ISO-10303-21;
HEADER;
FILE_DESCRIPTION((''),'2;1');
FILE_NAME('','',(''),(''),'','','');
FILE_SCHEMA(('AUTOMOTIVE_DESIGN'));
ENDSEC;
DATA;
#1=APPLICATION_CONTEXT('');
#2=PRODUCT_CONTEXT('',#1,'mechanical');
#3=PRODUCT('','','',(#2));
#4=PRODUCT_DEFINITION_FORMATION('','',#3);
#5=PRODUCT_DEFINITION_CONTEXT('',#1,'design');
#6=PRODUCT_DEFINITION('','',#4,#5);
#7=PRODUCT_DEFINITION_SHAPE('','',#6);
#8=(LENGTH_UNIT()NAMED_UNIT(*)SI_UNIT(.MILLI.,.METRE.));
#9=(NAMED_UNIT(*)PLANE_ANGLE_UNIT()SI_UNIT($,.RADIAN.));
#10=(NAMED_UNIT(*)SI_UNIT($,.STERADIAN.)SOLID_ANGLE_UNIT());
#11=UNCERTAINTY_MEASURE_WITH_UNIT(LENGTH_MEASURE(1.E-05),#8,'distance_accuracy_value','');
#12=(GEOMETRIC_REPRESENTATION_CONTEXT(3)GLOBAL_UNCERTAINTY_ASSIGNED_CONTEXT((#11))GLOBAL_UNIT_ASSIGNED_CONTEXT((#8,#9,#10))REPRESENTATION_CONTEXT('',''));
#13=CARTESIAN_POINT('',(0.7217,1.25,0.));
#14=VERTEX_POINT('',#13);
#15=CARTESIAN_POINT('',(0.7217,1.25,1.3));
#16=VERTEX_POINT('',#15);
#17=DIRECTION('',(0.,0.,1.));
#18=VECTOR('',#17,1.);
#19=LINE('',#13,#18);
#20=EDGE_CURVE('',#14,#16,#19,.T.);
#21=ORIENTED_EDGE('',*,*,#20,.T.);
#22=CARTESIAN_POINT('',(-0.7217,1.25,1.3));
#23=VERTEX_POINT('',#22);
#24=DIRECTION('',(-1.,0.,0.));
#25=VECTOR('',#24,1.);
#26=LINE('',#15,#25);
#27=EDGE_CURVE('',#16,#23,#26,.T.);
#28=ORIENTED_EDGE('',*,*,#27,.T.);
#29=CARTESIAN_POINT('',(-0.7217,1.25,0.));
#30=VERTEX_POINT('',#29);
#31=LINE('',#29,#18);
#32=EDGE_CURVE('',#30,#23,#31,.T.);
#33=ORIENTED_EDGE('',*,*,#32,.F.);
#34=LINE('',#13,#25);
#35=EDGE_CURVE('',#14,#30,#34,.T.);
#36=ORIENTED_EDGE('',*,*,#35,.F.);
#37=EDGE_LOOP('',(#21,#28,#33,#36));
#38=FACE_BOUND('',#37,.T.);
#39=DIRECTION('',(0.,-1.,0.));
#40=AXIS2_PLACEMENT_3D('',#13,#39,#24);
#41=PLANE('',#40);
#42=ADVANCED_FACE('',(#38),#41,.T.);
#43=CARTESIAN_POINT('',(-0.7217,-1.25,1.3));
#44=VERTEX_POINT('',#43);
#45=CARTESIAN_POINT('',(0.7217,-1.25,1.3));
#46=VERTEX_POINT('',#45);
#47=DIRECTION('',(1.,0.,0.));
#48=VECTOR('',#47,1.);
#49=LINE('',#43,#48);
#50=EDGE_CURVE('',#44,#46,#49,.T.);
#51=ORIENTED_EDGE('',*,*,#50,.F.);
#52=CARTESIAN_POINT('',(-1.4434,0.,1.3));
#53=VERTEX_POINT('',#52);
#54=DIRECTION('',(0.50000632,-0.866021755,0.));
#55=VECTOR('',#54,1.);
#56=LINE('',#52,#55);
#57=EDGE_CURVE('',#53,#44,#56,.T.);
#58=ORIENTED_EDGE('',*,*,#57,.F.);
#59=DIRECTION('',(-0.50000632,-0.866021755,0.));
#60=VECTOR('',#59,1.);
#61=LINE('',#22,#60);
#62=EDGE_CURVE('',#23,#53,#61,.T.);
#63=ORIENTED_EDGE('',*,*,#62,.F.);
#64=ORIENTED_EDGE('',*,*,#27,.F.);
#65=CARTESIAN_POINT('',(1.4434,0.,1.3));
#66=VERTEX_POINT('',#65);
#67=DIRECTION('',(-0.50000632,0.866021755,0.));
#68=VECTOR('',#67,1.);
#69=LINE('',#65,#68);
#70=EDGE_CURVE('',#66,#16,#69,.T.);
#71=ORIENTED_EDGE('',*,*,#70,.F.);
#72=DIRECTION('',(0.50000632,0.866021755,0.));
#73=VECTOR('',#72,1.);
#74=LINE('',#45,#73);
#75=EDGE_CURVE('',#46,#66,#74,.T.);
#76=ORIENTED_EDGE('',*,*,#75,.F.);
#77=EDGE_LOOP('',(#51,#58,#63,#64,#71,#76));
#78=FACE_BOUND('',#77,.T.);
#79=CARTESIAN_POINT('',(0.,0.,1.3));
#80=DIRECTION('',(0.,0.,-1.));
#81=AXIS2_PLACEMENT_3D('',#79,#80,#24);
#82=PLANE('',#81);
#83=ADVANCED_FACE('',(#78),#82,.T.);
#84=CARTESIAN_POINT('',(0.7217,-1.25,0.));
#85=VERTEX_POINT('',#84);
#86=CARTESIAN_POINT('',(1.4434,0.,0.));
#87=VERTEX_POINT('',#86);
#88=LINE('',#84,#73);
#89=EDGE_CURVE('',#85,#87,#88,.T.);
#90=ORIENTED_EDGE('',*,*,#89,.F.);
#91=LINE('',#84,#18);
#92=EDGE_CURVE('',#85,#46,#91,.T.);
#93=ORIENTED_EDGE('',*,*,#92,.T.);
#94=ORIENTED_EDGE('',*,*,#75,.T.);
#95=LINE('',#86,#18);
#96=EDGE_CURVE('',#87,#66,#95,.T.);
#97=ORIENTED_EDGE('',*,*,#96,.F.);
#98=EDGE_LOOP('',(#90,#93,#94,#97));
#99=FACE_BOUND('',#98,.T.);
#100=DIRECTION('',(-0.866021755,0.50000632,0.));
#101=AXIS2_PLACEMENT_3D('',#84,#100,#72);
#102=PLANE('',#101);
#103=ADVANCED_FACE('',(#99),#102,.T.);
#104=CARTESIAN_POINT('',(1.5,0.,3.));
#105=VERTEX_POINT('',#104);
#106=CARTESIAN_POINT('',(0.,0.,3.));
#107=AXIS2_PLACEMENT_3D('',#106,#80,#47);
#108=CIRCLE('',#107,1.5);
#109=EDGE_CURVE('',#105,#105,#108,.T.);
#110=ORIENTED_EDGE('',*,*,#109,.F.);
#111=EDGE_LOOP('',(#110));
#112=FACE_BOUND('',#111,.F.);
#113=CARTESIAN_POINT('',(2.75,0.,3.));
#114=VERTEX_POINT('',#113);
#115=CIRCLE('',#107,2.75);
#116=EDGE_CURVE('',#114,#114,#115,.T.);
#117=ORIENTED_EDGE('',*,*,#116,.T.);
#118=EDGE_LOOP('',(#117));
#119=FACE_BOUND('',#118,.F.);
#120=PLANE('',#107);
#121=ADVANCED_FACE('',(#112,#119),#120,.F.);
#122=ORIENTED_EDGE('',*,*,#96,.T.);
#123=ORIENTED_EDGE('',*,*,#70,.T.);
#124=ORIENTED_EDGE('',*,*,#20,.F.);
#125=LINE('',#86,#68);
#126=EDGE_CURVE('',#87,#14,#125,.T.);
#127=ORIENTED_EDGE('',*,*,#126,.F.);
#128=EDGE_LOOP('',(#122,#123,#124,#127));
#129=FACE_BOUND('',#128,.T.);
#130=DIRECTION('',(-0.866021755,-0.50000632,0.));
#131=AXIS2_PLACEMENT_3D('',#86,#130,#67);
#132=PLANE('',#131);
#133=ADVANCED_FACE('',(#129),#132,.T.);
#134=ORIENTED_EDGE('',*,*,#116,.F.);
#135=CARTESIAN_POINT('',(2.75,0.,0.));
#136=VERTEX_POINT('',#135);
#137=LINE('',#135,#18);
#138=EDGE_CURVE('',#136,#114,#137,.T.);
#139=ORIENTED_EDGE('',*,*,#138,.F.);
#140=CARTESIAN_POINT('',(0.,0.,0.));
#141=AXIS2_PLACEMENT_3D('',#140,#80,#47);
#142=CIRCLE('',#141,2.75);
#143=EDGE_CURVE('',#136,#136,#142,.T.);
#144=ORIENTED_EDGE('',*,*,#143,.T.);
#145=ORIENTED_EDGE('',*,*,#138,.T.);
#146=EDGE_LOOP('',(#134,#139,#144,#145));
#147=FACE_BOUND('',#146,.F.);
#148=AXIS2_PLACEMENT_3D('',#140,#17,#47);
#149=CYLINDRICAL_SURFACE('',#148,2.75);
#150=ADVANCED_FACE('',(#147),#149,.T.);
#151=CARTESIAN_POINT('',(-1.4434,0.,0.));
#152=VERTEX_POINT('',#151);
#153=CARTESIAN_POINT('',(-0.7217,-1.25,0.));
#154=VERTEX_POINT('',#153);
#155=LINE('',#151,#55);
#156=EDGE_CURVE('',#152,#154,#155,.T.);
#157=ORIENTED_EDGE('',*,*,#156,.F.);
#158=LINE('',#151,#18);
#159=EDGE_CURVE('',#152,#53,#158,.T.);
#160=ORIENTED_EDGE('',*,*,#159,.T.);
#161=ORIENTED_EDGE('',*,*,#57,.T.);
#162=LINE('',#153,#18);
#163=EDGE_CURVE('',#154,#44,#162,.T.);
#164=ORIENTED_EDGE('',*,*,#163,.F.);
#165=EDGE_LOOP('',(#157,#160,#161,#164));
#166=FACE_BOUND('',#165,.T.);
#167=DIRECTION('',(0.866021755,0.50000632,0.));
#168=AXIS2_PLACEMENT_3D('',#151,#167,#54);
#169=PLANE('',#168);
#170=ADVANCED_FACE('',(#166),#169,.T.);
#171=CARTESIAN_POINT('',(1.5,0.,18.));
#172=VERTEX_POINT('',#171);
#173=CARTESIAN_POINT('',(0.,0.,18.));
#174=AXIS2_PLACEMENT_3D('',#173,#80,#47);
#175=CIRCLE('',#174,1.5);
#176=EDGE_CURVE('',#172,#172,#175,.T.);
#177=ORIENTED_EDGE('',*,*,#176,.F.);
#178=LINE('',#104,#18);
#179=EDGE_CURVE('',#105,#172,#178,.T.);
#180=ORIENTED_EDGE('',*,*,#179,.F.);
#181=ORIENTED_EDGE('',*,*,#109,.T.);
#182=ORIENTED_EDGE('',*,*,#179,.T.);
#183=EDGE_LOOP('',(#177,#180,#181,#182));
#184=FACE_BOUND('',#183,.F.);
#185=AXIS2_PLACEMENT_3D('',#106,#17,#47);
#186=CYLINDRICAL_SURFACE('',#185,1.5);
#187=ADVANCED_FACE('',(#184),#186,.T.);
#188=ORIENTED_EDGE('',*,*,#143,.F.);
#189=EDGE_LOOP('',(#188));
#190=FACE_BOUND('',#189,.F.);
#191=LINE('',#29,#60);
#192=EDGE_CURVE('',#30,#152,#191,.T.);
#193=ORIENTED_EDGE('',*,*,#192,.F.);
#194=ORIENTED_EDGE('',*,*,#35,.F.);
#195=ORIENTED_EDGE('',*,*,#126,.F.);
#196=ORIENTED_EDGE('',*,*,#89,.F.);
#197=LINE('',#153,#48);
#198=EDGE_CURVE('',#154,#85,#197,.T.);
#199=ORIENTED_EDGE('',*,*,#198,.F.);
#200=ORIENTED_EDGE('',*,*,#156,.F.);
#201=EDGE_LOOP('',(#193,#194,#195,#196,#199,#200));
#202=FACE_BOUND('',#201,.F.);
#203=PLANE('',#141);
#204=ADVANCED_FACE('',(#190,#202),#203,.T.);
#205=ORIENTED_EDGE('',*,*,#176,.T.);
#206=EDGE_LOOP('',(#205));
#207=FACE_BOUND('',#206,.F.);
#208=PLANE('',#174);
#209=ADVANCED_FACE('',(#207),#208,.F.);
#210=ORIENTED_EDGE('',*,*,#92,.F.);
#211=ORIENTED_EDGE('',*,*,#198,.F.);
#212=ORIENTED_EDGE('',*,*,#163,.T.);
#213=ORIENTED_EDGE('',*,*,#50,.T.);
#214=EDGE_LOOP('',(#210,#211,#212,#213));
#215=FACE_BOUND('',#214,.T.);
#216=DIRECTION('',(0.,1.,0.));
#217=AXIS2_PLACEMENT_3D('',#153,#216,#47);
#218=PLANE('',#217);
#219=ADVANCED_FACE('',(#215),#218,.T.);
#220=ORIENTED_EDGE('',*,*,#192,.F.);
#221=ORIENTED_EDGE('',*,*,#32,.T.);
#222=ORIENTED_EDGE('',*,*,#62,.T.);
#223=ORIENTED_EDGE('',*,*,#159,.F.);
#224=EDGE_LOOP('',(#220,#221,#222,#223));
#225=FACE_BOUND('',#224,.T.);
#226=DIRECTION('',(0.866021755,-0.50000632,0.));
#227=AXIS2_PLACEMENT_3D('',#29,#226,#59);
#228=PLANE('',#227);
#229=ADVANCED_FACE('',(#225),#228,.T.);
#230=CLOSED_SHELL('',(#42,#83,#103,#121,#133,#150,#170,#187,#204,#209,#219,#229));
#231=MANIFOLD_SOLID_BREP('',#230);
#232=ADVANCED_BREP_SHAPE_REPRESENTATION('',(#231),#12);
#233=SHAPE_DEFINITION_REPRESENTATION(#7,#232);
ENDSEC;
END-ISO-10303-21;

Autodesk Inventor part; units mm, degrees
ref_plane "YZ Plane" through (0, 0, 0) normal (1, 0, 0) x (0, 1, 0)
ref_plane "XZ Plane" through (0, 0, 0) normal (0, 1, 0) x (-1, 0, 0)
ref_plane "XY Plane" through (0, 0, 0) normal (0, 0, 1) x (1, 0, 0)
sketch "Sketch1" plane through (0, 0, 0) normal (0, 1, 0) x (-1, 0, 0)
  line L0 (0, 0) -> (-2.75, 0)
  line L1 (-2.75, 0) -> (-2.75, 3)
  line L2 (-2.75, 3) -> (-1.5, 3)
  line L3 (-1.5, 3) -> (-1.5, 18)
  line L4 (-1.5, 18) -> (0, 18)
  line L5 (0, 18) -> (0, 0)
  dimension "ScrewLength" = 15
  dimension "Diameter" = 5.5
  dimension "Metric" = 3
  dimension "HeadLength" = 3
revolve "Revolution1" add sketch "Sketch1" angle 360 about axis through (0, 0, 18) along (0, 0, -1)
thread "Thread1" size "M3x0.5" class "6g" standard "ANSI Metric M Profile" full length
sketch "Sketch2" plane through (0, 0, 0) normal (0, 0, -1) x (-1, 0, 0)
  line L0 (0.7217, 1.25) -> (1.4434, 0)
  line L1 (1.4434, 0) -> (0.7217, -1.25)
  line L2 (0.7217, -1.25) -> (-0.7217, -1.25)
  line L3 (-0.7217, -1.25) -> (-1.4434, 0)
  line L4 (-1.4434, 0) -> (-0.7217, 1.25)
  line L5 (-0.7217, 1.25) -> (0.7217, 1.25)
  point P0 (0, 0)
  point P1 (0, 0)
  dimension "WidthAcrossFlat" = 2.5
extrude "Extrusion1" cut sketch "Sketch2" against normal blind 1.3
properties part number "UC-0315" material "Stainless Steel AISI 304"
